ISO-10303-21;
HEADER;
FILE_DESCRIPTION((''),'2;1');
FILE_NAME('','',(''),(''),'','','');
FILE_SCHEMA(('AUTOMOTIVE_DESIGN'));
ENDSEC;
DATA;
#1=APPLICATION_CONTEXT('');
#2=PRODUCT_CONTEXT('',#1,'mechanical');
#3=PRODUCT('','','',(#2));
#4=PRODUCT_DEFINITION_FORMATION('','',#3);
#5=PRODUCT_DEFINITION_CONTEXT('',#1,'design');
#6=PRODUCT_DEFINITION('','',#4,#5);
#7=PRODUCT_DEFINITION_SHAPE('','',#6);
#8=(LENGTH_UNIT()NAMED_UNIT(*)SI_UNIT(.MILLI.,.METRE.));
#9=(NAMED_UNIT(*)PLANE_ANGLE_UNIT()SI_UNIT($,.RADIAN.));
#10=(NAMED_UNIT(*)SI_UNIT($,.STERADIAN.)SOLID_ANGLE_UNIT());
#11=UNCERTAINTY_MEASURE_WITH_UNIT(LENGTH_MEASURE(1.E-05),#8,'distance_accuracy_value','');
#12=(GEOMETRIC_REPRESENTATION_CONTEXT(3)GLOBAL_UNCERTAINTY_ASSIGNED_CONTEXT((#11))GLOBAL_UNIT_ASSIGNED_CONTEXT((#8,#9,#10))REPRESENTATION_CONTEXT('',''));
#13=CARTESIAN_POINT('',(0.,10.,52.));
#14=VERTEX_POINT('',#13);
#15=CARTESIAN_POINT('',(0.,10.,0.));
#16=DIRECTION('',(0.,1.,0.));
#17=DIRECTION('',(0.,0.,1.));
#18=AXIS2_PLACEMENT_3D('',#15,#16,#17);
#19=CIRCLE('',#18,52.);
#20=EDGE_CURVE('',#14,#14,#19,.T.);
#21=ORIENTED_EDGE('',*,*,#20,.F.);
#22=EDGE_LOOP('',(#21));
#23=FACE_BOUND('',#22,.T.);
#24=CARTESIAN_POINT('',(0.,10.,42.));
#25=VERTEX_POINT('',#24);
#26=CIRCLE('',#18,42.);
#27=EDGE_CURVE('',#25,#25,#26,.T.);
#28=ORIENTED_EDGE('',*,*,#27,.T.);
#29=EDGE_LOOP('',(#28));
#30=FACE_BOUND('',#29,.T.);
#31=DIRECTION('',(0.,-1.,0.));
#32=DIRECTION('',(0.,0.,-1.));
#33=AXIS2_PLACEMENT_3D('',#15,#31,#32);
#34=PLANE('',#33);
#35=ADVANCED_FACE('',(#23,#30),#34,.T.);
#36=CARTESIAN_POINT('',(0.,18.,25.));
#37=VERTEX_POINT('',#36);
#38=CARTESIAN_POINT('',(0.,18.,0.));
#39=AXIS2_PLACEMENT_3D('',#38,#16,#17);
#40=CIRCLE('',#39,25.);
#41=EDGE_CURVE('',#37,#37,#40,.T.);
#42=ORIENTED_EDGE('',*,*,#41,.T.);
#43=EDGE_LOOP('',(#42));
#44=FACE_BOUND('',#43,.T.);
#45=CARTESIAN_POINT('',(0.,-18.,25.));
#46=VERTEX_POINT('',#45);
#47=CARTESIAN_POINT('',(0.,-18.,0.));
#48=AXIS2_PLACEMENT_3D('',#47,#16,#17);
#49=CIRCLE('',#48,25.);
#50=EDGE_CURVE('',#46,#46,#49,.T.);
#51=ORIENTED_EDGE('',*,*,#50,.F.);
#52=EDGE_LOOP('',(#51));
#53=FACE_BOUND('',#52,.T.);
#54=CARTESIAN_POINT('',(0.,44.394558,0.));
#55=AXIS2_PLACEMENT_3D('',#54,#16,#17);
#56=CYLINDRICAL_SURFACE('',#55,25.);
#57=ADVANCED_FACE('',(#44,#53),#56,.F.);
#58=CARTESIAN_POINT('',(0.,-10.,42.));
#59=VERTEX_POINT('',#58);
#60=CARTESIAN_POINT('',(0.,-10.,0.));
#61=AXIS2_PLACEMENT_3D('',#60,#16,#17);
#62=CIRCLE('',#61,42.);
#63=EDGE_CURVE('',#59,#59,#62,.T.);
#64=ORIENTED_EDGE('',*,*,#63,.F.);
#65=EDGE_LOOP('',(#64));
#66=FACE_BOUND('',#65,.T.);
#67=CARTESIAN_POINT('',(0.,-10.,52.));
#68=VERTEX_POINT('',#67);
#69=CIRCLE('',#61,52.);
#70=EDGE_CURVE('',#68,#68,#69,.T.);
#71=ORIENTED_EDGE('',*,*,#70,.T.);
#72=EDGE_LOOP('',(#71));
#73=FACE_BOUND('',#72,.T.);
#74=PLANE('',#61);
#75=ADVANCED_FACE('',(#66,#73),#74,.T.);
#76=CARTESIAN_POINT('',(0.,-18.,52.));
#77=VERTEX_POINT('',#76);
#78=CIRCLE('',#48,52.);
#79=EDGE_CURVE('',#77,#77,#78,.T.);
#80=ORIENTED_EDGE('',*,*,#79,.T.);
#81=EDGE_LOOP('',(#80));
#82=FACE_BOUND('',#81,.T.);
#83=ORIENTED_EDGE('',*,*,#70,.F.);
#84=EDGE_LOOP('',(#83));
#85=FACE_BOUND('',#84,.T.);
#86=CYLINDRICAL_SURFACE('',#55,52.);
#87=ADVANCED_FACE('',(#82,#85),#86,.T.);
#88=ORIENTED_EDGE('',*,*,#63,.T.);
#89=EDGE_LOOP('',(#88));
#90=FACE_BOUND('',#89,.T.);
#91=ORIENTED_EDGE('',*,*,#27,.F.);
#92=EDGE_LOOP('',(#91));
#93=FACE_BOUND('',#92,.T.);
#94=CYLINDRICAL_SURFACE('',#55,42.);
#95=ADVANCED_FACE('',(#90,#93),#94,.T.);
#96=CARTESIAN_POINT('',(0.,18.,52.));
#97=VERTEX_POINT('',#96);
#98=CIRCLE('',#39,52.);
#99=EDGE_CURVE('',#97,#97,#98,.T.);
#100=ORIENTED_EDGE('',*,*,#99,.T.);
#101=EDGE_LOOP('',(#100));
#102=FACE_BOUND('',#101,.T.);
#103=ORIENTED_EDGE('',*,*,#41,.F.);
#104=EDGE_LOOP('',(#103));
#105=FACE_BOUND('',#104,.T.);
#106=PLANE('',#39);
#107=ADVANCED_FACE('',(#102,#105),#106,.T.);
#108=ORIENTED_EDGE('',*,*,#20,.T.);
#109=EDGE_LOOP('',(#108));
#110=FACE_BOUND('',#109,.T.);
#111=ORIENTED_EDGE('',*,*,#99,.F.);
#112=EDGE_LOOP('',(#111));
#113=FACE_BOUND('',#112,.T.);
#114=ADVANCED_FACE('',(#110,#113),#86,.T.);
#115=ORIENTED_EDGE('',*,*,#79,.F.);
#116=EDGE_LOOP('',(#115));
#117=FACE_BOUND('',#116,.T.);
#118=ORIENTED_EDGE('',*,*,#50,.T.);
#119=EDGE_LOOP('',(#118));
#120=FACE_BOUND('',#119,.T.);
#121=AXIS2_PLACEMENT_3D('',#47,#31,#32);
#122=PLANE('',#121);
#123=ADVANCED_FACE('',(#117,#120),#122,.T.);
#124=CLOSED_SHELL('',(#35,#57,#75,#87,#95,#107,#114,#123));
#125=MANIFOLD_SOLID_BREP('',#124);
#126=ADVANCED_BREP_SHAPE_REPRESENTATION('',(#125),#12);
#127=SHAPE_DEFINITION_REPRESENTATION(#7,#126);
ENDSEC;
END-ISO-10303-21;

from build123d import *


with BuildPart() as part:
    # Sketch1 → Revolve1 (revolve)
    with BuildSketch(Plane.XY, mode=Mode.PRIVATE) as revolve1_sk:
        Polygon((52, 18), (25, 18), (25, -18), (52, -18), (52, -10), (42, -10), (42, 10), (52, 10), align=None)
    revolve(revolve1_sk.sketch.rotate(Axis((0, 44.394557823, 0), (0, -1, 0)), 90), axis=Axis((0, 44.394557823, 0), (0, -1, 0)))


solid = part.part
